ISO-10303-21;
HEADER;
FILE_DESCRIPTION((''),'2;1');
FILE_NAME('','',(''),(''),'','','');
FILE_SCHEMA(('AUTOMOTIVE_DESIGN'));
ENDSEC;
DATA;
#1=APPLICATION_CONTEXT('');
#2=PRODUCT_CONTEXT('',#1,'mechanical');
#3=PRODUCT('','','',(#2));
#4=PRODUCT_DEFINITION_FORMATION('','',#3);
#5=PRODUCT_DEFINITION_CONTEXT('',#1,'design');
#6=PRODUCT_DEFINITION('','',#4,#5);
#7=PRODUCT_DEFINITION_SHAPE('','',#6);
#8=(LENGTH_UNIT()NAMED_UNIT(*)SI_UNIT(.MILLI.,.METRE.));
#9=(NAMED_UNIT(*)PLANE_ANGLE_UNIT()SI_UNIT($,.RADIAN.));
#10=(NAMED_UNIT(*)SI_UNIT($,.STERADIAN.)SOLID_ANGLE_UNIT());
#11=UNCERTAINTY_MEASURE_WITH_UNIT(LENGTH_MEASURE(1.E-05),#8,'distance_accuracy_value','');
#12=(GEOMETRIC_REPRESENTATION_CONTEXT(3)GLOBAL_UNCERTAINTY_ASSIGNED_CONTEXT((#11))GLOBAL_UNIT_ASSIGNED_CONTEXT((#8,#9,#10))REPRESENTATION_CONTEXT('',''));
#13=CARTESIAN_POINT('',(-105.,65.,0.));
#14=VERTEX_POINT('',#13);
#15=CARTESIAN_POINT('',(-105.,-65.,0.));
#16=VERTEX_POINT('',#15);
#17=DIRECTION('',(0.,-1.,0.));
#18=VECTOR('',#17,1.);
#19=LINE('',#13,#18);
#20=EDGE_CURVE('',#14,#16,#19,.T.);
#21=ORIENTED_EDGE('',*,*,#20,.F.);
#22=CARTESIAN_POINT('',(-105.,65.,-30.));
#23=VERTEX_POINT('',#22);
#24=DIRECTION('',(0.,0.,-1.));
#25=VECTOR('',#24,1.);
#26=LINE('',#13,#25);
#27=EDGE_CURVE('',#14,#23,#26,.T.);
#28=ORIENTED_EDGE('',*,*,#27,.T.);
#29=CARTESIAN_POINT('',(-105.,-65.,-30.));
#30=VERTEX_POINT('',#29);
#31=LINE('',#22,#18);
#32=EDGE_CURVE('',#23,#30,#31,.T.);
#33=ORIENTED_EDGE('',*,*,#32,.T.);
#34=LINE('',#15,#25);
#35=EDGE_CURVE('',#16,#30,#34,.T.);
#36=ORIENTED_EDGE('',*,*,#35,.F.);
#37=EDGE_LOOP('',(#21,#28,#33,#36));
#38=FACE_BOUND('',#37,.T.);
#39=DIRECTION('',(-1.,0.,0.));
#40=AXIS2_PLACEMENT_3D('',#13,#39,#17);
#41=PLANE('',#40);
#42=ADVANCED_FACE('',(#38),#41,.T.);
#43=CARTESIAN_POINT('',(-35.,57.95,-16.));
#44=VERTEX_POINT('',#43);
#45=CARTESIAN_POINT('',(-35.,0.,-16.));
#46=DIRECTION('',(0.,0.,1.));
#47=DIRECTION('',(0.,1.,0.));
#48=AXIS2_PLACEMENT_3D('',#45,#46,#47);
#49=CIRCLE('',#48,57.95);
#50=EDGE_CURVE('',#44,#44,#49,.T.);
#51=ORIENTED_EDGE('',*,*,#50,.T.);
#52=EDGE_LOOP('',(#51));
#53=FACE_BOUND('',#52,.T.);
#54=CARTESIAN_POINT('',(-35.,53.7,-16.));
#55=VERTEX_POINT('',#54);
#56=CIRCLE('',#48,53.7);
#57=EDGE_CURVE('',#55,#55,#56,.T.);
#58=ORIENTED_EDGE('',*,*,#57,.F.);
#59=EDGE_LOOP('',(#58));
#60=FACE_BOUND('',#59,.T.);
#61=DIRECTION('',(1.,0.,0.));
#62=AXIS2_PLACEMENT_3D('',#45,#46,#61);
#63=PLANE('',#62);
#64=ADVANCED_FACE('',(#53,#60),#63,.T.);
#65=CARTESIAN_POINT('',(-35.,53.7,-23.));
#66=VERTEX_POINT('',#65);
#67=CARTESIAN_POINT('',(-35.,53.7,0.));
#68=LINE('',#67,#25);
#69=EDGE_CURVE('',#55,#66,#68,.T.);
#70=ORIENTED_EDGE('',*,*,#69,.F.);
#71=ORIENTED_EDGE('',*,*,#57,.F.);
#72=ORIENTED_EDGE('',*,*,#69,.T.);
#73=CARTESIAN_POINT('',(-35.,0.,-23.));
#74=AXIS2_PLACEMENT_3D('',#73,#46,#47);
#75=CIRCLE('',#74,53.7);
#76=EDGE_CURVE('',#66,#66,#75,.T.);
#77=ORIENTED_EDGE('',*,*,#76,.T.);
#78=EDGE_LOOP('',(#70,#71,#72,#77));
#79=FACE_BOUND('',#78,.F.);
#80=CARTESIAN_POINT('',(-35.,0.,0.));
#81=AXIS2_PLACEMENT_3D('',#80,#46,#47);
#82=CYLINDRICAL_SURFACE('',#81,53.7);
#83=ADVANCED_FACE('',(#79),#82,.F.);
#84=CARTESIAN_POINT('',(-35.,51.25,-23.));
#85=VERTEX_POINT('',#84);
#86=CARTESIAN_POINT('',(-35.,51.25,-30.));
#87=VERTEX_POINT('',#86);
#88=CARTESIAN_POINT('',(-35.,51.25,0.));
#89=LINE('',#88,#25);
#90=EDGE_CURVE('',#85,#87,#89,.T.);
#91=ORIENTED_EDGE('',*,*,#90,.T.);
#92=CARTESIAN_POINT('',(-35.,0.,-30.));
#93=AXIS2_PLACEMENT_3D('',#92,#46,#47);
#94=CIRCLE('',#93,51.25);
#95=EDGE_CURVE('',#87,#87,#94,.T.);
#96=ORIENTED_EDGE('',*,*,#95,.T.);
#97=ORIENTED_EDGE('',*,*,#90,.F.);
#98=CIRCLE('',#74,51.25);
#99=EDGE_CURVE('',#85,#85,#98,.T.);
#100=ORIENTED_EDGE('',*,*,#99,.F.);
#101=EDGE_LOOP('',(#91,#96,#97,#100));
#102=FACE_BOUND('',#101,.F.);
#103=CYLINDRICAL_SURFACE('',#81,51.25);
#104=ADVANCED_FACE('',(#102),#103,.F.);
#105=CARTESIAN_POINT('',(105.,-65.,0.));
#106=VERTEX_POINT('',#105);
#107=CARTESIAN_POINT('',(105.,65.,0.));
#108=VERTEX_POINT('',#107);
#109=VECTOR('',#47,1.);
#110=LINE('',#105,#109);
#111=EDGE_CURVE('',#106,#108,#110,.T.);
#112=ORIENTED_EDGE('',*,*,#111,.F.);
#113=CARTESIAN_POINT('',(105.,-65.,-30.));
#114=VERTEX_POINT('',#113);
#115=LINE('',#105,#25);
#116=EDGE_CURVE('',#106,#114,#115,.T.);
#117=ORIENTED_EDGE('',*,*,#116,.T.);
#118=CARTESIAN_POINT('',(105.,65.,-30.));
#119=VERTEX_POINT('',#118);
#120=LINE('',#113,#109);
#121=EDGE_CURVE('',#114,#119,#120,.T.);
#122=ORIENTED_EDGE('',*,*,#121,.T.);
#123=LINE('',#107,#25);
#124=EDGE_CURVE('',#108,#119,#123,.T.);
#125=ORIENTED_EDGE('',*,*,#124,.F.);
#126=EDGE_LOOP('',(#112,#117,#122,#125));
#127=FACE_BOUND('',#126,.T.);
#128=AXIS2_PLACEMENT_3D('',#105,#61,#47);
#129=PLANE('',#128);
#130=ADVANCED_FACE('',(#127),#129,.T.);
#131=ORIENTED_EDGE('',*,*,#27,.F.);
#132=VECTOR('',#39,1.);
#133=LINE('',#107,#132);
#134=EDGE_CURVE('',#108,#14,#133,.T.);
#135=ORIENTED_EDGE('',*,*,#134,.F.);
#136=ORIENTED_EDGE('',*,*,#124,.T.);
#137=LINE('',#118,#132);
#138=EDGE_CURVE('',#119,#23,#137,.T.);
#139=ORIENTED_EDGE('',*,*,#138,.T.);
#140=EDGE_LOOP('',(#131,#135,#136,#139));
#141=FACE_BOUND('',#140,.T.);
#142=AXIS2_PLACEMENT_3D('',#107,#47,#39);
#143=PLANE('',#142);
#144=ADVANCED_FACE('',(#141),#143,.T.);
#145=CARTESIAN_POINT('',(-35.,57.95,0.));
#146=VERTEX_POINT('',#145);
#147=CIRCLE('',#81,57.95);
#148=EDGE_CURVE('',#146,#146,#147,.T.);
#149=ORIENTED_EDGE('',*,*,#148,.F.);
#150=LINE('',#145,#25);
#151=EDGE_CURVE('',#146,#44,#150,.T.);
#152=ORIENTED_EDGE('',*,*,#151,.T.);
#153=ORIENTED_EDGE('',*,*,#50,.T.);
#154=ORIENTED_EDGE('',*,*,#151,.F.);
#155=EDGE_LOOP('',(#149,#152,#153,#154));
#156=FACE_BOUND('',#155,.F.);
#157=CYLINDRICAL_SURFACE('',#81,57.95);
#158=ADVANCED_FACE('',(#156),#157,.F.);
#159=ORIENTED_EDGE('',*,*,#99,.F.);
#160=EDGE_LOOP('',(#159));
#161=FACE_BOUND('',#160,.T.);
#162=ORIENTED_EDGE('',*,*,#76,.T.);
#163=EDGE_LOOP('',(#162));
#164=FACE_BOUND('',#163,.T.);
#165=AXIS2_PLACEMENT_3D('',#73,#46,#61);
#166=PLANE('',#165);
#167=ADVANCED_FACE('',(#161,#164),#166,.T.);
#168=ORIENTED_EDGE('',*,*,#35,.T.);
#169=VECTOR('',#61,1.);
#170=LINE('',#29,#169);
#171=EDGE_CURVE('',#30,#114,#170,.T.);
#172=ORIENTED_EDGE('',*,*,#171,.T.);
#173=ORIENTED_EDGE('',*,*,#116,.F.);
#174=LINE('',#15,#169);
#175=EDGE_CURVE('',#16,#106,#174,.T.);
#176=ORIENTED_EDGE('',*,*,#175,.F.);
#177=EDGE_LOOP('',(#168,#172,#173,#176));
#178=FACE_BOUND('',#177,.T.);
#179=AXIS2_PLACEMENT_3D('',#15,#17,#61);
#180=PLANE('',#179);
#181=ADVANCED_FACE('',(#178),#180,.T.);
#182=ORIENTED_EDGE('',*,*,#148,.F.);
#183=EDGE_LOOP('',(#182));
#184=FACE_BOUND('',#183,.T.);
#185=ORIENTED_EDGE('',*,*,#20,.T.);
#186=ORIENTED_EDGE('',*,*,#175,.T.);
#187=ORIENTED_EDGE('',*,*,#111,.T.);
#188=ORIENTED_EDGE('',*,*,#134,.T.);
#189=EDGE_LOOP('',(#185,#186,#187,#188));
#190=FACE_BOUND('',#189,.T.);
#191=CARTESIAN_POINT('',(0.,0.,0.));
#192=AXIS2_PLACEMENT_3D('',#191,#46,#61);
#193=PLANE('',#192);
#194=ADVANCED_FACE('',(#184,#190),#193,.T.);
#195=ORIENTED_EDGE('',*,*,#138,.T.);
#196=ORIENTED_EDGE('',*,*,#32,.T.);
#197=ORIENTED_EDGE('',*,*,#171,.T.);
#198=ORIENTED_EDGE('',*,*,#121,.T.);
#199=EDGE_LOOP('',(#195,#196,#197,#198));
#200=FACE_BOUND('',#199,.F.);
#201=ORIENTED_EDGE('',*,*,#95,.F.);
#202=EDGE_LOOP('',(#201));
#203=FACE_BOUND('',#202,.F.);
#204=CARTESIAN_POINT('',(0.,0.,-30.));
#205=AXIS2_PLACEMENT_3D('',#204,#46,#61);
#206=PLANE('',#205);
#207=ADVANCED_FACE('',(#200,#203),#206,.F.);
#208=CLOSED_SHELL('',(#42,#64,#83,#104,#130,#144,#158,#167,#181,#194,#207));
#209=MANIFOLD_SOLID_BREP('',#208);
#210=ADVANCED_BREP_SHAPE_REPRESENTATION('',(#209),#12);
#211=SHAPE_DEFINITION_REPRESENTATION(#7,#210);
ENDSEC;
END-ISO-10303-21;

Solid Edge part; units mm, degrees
sketch "Sketch1" plane through (0, 0, 0) normal (0, 0, 1) x (1, 0, 0)
  line L0 (-105, -65) -> (105, -65)
  line L1 (105, -65) -> (105, 65)
  line L2 (105, 65) -> (-105, 65)
  line L3 (-105, 65) -> (-105, -65)
extrude "Protrusion1" add sketch "Sketch1" against normal blind 30
sketch "Sketch2" plane through (0, 0, 0) normal (0, 0, 1) x (0, 1, 0)
  circle A0 centre (0, 35) radius 51.25
extrude "Recorte_Extrudado_4" cut sketch "Sketch2" against normal blind 30
sketch "Sketch3" plane through (0, 0, 0) normal (0, 0, 1) x (0, 1, 0)
  circle A0 centre (0, 35) radius 53.7
extrude "Recorte_Extrudado_5" cut sketch "Sketch3" against normal blind 23
sketch "Sketch4" plane through (0, 0, 0) normal (0, 0, 1) x (0, 1, 0)
  circle A0 centre (0, 35) radius 57.95
extrude "Recorte_Extrudado_6" cut sketch "Sketch4" against normal blind 16
